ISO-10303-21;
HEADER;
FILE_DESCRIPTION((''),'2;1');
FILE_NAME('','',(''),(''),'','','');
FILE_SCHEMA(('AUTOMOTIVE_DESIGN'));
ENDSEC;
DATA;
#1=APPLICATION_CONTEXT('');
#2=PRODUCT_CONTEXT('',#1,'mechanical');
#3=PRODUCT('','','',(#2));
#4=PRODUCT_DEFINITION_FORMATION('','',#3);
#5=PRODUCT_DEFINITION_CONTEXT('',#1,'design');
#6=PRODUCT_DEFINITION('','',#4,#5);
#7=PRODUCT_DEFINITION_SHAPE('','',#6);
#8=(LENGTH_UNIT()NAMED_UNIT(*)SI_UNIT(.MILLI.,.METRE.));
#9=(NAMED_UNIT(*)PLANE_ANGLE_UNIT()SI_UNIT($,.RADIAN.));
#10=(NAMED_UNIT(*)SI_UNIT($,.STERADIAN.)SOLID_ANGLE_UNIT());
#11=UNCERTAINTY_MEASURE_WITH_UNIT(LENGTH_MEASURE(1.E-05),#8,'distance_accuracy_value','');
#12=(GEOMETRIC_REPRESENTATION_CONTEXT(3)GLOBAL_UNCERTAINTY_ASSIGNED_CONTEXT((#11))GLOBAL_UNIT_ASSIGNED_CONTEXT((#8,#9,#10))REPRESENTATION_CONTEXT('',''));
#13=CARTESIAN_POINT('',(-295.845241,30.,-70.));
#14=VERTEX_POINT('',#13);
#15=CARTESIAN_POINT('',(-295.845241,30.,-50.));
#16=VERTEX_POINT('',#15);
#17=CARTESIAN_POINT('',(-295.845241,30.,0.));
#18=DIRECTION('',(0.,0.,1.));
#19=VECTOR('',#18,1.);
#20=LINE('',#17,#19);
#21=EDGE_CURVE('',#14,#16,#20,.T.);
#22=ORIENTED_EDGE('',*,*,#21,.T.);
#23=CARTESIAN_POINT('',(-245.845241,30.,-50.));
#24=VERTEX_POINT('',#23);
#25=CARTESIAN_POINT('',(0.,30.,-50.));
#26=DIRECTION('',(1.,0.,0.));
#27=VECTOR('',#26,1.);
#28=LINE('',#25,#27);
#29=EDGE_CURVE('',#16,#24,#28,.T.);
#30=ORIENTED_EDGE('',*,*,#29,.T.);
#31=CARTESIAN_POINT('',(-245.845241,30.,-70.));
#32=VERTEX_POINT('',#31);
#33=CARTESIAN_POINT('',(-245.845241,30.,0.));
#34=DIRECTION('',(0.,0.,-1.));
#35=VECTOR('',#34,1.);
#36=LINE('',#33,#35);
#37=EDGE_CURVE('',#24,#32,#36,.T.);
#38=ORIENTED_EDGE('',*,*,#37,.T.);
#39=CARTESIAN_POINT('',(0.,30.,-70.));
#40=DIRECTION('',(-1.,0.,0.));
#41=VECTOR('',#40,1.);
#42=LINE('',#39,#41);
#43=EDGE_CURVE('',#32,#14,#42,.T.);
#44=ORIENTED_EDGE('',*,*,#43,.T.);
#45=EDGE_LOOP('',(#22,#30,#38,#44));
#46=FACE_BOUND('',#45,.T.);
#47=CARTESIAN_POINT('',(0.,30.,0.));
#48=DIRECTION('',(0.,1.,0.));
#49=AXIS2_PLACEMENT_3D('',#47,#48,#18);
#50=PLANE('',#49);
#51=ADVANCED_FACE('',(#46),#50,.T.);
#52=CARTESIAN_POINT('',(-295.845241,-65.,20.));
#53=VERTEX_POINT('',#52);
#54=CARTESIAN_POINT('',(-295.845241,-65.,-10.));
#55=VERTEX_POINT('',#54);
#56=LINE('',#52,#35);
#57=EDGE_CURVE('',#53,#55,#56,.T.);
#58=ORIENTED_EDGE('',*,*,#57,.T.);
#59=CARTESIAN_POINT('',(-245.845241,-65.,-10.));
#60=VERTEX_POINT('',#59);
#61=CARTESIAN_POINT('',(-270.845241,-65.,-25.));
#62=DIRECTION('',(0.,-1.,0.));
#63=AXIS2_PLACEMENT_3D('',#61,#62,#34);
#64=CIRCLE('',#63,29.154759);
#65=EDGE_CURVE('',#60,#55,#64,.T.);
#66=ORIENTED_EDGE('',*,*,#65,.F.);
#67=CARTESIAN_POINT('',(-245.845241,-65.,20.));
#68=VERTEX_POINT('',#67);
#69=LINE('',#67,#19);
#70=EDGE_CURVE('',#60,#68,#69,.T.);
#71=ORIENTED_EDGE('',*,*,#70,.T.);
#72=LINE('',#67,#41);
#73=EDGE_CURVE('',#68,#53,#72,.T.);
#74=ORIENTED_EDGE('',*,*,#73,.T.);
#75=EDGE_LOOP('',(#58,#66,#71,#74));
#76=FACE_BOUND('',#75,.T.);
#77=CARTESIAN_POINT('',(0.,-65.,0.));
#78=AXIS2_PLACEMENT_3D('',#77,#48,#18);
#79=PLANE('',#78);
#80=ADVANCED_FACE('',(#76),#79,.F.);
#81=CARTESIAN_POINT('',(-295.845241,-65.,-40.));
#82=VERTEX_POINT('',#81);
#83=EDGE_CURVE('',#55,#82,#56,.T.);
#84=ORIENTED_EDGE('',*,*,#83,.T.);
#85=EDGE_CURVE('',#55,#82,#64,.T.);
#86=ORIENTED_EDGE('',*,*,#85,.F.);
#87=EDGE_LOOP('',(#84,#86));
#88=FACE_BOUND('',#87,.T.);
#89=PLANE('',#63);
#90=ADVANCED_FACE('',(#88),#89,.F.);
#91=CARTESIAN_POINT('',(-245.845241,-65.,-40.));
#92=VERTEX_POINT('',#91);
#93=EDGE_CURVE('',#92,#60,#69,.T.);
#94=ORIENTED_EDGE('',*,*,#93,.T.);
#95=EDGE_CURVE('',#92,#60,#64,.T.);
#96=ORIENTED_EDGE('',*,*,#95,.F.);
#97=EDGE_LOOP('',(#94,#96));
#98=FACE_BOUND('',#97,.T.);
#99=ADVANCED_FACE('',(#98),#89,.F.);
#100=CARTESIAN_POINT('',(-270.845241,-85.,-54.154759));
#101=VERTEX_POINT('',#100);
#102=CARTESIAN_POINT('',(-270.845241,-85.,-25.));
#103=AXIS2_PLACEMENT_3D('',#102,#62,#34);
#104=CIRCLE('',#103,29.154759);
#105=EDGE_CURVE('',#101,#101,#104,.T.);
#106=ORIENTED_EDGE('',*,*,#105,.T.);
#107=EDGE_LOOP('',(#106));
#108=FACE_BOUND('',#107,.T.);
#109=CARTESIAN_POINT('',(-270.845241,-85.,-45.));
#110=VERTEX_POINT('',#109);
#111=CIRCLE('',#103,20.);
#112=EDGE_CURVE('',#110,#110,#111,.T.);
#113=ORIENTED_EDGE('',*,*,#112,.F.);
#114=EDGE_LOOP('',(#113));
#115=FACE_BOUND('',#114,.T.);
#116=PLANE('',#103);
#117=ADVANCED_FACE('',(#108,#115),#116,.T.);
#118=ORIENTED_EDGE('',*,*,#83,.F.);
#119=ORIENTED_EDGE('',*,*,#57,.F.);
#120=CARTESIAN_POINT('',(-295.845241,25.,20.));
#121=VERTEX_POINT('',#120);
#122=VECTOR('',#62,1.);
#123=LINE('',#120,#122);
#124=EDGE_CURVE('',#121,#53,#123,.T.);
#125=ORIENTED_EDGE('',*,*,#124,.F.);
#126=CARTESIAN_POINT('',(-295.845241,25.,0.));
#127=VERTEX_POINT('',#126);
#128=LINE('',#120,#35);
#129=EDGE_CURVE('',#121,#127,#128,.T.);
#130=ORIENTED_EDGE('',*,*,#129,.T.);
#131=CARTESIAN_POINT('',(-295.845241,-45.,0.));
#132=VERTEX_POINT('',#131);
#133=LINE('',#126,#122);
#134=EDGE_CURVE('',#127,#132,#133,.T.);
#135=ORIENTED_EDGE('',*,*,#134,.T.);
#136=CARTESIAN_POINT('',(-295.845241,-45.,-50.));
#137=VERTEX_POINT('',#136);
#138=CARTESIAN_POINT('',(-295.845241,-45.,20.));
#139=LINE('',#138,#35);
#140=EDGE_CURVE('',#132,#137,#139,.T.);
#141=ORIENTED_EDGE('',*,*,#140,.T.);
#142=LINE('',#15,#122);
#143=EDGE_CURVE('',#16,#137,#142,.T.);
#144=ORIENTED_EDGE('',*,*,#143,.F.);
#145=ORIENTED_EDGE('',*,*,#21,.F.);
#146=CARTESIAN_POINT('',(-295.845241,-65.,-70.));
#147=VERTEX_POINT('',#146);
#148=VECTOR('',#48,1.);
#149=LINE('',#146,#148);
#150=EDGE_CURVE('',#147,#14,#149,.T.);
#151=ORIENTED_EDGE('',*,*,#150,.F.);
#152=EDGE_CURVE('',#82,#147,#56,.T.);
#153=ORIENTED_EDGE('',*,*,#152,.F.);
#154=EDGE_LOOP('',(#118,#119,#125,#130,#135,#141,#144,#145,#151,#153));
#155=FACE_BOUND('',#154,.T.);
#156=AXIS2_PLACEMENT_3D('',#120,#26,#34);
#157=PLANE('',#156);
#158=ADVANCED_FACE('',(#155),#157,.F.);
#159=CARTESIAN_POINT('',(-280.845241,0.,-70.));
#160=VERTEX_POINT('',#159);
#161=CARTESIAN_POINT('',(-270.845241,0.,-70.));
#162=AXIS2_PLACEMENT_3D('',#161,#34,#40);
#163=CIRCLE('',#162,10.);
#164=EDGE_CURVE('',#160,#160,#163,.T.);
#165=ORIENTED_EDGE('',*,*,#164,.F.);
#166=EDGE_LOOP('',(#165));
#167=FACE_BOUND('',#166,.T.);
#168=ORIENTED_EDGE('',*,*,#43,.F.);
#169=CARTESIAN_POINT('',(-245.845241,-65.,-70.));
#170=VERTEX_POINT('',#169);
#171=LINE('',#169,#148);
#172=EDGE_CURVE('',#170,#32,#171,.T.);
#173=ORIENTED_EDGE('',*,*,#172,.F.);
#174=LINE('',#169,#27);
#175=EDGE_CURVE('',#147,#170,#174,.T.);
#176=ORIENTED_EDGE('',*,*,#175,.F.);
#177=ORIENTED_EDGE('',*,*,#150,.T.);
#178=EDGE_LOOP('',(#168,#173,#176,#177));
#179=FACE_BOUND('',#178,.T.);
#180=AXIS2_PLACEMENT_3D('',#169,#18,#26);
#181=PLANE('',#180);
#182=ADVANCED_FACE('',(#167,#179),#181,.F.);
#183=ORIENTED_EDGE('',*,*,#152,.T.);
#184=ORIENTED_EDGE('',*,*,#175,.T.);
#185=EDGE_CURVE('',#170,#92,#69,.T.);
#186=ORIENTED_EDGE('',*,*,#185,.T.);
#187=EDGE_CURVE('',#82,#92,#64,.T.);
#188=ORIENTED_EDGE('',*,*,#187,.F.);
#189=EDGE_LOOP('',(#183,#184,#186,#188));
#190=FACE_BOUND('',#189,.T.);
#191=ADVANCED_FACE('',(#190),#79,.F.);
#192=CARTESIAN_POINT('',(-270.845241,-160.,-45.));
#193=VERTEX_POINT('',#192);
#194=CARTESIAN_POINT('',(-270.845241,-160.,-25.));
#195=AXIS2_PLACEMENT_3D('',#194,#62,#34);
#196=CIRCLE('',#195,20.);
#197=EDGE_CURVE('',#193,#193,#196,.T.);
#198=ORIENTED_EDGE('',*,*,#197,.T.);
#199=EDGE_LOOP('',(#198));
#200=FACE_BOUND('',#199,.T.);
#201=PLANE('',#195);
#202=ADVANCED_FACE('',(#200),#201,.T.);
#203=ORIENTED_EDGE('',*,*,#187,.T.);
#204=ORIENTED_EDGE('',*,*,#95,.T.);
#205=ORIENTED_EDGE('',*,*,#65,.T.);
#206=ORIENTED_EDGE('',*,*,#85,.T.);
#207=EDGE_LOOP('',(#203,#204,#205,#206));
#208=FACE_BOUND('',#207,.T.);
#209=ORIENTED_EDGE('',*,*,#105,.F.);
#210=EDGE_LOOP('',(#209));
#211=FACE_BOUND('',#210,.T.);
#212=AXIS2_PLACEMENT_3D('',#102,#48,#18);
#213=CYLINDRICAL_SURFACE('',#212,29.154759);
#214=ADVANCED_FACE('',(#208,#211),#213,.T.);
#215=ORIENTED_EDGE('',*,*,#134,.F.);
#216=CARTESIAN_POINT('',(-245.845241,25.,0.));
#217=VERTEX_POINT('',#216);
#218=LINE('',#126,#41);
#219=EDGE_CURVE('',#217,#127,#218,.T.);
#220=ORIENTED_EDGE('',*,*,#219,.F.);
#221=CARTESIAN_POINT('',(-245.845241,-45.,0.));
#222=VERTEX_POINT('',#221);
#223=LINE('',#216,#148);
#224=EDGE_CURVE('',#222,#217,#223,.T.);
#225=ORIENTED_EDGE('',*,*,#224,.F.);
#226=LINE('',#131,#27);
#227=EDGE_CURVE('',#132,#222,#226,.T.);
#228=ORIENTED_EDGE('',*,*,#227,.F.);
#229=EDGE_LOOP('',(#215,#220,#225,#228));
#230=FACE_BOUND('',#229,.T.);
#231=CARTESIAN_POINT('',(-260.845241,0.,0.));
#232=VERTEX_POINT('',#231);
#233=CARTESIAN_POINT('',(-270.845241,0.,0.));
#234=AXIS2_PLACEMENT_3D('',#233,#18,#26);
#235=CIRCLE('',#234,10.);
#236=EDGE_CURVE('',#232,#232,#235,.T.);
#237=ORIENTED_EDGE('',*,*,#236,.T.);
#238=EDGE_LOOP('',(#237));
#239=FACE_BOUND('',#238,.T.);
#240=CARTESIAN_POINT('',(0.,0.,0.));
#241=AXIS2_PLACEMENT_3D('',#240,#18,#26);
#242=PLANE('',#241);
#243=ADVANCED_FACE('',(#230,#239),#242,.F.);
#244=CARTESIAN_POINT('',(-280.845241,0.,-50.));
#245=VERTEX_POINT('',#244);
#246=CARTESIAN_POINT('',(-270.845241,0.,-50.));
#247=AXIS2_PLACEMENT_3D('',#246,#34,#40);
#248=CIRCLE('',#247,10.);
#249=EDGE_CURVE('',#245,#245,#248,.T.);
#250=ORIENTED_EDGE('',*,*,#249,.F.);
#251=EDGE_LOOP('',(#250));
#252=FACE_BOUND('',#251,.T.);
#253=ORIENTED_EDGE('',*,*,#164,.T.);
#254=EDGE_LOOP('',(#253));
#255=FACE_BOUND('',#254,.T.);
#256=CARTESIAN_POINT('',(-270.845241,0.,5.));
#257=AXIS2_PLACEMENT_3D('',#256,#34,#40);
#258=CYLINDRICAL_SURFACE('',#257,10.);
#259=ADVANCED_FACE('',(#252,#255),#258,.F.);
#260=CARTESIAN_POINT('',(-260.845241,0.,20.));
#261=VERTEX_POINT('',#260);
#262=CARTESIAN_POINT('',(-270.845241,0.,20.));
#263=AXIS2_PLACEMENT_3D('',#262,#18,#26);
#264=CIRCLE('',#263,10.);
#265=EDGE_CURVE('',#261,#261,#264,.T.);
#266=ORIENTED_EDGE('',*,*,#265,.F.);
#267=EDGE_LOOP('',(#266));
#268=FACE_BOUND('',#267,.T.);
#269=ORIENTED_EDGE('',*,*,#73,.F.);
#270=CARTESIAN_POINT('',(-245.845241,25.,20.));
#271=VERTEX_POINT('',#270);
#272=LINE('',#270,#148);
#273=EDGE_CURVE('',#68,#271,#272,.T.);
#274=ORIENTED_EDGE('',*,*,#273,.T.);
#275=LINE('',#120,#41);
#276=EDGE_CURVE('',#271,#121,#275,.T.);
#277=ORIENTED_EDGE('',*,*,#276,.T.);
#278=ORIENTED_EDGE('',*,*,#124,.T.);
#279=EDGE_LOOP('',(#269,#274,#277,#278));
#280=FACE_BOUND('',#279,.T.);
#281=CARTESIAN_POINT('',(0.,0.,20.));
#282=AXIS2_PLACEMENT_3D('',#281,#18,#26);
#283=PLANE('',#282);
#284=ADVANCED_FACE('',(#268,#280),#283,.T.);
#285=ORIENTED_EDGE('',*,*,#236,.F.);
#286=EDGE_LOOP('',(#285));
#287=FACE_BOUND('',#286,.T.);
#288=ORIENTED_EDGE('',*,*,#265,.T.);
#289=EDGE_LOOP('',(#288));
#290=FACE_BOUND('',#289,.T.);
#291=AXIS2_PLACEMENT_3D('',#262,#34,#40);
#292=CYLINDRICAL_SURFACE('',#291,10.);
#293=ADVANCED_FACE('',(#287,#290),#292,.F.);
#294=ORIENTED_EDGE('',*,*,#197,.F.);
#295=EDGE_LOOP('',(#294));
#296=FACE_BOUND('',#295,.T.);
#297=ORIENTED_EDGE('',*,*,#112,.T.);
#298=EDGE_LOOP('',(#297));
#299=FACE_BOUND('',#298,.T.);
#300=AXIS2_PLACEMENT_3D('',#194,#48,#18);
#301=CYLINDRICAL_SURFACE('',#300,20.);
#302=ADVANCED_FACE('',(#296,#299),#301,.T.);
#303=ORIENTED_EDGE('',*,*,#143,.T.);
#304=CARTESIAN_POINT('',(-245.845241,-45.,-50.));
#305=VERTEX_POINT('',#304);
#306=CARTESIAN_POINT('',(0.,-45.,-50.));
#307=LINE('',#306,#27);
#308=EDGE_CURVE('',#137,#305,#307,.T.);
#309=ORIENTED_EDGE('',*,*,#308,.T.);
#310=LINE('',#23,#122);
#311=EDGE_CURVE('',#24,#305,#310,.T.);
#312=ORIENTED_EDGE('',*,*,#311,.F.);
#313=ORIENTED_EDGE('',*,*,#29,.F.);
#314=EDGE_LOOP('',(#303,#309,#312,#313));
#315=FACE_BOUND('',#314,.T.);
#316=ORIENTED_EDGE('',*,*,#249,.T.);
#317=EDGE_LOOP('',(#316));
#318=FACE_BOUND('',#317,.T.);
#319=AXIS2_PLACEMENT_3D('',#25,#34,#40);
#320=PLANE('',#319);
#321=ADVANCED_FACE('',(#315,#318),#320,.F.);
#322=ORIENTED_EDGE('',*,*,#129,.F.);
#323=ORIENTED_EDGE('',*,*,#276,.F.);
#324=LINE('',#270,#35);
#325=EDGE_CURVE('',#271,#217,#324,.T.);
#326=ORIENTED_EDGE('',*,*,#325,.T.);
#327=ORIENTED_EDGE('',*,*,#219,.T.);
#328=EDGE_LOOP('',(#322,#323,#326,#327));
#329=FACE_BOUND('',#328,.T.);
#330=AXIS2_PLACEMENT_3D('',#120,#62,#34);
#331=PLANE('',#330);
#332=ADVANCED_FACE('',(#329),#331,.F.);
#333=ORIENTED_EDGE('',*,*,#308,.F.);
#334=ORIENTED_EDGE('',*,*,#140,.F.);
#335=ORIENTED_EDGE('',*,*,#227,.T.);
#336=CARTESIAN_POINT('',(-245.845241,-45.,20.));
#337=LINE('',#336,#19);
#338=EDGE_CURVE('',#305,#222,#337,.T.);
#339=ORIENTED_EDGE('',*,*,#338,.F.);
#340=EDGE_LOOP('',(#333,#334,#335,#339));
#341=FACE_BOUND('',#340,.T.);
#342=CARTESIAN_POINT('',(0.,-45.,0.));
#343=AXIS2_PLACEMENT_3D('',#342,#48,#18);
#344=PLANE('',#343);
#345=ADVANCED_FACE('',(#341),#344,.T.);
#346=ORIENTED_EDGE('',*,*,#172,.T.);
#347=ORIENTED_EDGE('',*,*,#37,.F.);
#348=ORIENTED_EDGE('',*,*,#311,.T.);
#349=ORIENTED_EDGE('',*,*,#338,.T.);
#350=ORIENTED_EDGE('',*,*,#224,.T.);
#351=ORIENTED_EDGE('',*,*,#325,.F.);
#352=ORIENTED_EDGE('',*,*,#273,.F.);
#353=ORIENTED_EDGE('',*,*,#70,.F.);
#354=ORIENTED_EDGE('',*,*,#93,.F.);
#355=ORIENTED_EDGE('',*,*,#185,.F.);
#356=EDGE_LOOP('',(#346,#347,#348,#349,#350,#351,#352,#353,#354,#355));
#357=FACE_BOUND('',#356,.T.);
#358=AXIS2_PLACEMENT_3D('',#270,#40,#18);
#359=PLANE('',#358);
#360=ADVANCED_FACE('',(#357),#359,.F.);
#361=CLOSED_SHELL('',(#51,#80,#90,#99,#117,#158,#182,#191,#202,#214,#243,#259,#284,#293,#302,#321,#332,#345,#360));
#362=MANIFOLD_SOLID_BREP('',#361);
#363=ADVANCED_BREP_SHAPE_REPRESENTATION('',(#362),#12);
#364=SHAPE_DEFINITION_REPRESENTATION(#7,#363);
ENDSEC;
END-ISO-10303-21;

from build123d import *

# Parameters (mm, degrees)
ESQUISSE1_W             = 50
ESQUISSE1_H             = 70
ESQUISSE1_R             = 10
BOSS_EXTRU_1_DEPTH      = 20
ESQUISSE2_W             = 50
ESQUISSE2_H             = 90
BOSS_EXTRU_2_DEPTH      = 20
ESQUISSE3_R             = 29.154759474
BOSS_EXTRU_3_DEPTH      = 20
ESQUISSE4_R             = 20
BOSS_EXTRU_4_DEPTH      = 75
ESQUISSE5_W             = 50
ESQUISSE5_H             = 20
BOSS_EXTRU_5_DEPTH      = 75
ESQUISSE6_R             = 10
ENL_V_MAT_EXTRU_1_DEPTH = 75


with BuildPart() as part:
    # Esquisse1 → Boss.-Extru.1 (new body)
    with BuildSketch(Plane.XY):
        with Locations((-270.845240526, -10)):
            Rectangle(ESQUISSE1_W, ESQUISSE1_H)
        with Locations((-270.845240526, 0)):
            Circle(ESQUISSE1_R, mode=Mode.SUBTRACT)
    extrude(amount=BOSS_EXTRU_1_DEPTH)

    # Esquisse2 → Boss.-Extru.2 (add)
    with BuildSketch(Plane.XZ.offset(45)):
        with Locations((-270.845240526, -25)):
            Rectangle(ESQUISSE2_W, ESQUISSE2_H)
    extrude(amount=BOSS_EXTRU_2_DEPTH)

    # Esquisse3 → Boss.-Extru.3 (add)
    with BuildSketch(Plane.XZ.offset(65)):
        with Locations(Location((-270.845240526, -25, 0), (0, 0, 30.963756532))):
            Circle(ESQUISSE3_R)
    extrude(amount=BOSS_EXTRU_3_DEPTH)

    # Esquisse4 → Boss.-Extru.4 (add)
    with BuildSketch(Plane.XZ.offset(85)):
        with Locations(Location((-270.845240526, -25, 0), (0, 0, 270))):
            Circle(ESQUISSE4_R)
    extrude(amount=BOSS_EXTRU_4_DEPTH)

    # Esquisse5 → Boss.-Extru.5 (add)
    with BuildSketch(Plane(origin=(0, -45, 0), x_dir=(1, 0, 0), z_dir=(0, 1, 0))):
        with Locations((-270.845240526, 60)):
            Rectangle(ESQUISSE5_W, ESQUISSE5_H)
    extrude(amount=BOSS_EXTRU_5_DEPTH)

    # Esquisse6 → Enlèv. mat.-Extru.1 (cut)
    with BuildSketch(Plane(origin=(0, 0, -70), x_dir=(-1, 0, 0), z_dir=(0, 0, -1))):
        with Locations(Location((270.845240526, 0, 0), (0, 0, 180))):
            Circle(ESQUISSE6_R)
    extrude(amount=-ENL_V_MAT_EXTRU_1_DEPTH, mode=Mode.SUBTRACT)


solid = part.part
